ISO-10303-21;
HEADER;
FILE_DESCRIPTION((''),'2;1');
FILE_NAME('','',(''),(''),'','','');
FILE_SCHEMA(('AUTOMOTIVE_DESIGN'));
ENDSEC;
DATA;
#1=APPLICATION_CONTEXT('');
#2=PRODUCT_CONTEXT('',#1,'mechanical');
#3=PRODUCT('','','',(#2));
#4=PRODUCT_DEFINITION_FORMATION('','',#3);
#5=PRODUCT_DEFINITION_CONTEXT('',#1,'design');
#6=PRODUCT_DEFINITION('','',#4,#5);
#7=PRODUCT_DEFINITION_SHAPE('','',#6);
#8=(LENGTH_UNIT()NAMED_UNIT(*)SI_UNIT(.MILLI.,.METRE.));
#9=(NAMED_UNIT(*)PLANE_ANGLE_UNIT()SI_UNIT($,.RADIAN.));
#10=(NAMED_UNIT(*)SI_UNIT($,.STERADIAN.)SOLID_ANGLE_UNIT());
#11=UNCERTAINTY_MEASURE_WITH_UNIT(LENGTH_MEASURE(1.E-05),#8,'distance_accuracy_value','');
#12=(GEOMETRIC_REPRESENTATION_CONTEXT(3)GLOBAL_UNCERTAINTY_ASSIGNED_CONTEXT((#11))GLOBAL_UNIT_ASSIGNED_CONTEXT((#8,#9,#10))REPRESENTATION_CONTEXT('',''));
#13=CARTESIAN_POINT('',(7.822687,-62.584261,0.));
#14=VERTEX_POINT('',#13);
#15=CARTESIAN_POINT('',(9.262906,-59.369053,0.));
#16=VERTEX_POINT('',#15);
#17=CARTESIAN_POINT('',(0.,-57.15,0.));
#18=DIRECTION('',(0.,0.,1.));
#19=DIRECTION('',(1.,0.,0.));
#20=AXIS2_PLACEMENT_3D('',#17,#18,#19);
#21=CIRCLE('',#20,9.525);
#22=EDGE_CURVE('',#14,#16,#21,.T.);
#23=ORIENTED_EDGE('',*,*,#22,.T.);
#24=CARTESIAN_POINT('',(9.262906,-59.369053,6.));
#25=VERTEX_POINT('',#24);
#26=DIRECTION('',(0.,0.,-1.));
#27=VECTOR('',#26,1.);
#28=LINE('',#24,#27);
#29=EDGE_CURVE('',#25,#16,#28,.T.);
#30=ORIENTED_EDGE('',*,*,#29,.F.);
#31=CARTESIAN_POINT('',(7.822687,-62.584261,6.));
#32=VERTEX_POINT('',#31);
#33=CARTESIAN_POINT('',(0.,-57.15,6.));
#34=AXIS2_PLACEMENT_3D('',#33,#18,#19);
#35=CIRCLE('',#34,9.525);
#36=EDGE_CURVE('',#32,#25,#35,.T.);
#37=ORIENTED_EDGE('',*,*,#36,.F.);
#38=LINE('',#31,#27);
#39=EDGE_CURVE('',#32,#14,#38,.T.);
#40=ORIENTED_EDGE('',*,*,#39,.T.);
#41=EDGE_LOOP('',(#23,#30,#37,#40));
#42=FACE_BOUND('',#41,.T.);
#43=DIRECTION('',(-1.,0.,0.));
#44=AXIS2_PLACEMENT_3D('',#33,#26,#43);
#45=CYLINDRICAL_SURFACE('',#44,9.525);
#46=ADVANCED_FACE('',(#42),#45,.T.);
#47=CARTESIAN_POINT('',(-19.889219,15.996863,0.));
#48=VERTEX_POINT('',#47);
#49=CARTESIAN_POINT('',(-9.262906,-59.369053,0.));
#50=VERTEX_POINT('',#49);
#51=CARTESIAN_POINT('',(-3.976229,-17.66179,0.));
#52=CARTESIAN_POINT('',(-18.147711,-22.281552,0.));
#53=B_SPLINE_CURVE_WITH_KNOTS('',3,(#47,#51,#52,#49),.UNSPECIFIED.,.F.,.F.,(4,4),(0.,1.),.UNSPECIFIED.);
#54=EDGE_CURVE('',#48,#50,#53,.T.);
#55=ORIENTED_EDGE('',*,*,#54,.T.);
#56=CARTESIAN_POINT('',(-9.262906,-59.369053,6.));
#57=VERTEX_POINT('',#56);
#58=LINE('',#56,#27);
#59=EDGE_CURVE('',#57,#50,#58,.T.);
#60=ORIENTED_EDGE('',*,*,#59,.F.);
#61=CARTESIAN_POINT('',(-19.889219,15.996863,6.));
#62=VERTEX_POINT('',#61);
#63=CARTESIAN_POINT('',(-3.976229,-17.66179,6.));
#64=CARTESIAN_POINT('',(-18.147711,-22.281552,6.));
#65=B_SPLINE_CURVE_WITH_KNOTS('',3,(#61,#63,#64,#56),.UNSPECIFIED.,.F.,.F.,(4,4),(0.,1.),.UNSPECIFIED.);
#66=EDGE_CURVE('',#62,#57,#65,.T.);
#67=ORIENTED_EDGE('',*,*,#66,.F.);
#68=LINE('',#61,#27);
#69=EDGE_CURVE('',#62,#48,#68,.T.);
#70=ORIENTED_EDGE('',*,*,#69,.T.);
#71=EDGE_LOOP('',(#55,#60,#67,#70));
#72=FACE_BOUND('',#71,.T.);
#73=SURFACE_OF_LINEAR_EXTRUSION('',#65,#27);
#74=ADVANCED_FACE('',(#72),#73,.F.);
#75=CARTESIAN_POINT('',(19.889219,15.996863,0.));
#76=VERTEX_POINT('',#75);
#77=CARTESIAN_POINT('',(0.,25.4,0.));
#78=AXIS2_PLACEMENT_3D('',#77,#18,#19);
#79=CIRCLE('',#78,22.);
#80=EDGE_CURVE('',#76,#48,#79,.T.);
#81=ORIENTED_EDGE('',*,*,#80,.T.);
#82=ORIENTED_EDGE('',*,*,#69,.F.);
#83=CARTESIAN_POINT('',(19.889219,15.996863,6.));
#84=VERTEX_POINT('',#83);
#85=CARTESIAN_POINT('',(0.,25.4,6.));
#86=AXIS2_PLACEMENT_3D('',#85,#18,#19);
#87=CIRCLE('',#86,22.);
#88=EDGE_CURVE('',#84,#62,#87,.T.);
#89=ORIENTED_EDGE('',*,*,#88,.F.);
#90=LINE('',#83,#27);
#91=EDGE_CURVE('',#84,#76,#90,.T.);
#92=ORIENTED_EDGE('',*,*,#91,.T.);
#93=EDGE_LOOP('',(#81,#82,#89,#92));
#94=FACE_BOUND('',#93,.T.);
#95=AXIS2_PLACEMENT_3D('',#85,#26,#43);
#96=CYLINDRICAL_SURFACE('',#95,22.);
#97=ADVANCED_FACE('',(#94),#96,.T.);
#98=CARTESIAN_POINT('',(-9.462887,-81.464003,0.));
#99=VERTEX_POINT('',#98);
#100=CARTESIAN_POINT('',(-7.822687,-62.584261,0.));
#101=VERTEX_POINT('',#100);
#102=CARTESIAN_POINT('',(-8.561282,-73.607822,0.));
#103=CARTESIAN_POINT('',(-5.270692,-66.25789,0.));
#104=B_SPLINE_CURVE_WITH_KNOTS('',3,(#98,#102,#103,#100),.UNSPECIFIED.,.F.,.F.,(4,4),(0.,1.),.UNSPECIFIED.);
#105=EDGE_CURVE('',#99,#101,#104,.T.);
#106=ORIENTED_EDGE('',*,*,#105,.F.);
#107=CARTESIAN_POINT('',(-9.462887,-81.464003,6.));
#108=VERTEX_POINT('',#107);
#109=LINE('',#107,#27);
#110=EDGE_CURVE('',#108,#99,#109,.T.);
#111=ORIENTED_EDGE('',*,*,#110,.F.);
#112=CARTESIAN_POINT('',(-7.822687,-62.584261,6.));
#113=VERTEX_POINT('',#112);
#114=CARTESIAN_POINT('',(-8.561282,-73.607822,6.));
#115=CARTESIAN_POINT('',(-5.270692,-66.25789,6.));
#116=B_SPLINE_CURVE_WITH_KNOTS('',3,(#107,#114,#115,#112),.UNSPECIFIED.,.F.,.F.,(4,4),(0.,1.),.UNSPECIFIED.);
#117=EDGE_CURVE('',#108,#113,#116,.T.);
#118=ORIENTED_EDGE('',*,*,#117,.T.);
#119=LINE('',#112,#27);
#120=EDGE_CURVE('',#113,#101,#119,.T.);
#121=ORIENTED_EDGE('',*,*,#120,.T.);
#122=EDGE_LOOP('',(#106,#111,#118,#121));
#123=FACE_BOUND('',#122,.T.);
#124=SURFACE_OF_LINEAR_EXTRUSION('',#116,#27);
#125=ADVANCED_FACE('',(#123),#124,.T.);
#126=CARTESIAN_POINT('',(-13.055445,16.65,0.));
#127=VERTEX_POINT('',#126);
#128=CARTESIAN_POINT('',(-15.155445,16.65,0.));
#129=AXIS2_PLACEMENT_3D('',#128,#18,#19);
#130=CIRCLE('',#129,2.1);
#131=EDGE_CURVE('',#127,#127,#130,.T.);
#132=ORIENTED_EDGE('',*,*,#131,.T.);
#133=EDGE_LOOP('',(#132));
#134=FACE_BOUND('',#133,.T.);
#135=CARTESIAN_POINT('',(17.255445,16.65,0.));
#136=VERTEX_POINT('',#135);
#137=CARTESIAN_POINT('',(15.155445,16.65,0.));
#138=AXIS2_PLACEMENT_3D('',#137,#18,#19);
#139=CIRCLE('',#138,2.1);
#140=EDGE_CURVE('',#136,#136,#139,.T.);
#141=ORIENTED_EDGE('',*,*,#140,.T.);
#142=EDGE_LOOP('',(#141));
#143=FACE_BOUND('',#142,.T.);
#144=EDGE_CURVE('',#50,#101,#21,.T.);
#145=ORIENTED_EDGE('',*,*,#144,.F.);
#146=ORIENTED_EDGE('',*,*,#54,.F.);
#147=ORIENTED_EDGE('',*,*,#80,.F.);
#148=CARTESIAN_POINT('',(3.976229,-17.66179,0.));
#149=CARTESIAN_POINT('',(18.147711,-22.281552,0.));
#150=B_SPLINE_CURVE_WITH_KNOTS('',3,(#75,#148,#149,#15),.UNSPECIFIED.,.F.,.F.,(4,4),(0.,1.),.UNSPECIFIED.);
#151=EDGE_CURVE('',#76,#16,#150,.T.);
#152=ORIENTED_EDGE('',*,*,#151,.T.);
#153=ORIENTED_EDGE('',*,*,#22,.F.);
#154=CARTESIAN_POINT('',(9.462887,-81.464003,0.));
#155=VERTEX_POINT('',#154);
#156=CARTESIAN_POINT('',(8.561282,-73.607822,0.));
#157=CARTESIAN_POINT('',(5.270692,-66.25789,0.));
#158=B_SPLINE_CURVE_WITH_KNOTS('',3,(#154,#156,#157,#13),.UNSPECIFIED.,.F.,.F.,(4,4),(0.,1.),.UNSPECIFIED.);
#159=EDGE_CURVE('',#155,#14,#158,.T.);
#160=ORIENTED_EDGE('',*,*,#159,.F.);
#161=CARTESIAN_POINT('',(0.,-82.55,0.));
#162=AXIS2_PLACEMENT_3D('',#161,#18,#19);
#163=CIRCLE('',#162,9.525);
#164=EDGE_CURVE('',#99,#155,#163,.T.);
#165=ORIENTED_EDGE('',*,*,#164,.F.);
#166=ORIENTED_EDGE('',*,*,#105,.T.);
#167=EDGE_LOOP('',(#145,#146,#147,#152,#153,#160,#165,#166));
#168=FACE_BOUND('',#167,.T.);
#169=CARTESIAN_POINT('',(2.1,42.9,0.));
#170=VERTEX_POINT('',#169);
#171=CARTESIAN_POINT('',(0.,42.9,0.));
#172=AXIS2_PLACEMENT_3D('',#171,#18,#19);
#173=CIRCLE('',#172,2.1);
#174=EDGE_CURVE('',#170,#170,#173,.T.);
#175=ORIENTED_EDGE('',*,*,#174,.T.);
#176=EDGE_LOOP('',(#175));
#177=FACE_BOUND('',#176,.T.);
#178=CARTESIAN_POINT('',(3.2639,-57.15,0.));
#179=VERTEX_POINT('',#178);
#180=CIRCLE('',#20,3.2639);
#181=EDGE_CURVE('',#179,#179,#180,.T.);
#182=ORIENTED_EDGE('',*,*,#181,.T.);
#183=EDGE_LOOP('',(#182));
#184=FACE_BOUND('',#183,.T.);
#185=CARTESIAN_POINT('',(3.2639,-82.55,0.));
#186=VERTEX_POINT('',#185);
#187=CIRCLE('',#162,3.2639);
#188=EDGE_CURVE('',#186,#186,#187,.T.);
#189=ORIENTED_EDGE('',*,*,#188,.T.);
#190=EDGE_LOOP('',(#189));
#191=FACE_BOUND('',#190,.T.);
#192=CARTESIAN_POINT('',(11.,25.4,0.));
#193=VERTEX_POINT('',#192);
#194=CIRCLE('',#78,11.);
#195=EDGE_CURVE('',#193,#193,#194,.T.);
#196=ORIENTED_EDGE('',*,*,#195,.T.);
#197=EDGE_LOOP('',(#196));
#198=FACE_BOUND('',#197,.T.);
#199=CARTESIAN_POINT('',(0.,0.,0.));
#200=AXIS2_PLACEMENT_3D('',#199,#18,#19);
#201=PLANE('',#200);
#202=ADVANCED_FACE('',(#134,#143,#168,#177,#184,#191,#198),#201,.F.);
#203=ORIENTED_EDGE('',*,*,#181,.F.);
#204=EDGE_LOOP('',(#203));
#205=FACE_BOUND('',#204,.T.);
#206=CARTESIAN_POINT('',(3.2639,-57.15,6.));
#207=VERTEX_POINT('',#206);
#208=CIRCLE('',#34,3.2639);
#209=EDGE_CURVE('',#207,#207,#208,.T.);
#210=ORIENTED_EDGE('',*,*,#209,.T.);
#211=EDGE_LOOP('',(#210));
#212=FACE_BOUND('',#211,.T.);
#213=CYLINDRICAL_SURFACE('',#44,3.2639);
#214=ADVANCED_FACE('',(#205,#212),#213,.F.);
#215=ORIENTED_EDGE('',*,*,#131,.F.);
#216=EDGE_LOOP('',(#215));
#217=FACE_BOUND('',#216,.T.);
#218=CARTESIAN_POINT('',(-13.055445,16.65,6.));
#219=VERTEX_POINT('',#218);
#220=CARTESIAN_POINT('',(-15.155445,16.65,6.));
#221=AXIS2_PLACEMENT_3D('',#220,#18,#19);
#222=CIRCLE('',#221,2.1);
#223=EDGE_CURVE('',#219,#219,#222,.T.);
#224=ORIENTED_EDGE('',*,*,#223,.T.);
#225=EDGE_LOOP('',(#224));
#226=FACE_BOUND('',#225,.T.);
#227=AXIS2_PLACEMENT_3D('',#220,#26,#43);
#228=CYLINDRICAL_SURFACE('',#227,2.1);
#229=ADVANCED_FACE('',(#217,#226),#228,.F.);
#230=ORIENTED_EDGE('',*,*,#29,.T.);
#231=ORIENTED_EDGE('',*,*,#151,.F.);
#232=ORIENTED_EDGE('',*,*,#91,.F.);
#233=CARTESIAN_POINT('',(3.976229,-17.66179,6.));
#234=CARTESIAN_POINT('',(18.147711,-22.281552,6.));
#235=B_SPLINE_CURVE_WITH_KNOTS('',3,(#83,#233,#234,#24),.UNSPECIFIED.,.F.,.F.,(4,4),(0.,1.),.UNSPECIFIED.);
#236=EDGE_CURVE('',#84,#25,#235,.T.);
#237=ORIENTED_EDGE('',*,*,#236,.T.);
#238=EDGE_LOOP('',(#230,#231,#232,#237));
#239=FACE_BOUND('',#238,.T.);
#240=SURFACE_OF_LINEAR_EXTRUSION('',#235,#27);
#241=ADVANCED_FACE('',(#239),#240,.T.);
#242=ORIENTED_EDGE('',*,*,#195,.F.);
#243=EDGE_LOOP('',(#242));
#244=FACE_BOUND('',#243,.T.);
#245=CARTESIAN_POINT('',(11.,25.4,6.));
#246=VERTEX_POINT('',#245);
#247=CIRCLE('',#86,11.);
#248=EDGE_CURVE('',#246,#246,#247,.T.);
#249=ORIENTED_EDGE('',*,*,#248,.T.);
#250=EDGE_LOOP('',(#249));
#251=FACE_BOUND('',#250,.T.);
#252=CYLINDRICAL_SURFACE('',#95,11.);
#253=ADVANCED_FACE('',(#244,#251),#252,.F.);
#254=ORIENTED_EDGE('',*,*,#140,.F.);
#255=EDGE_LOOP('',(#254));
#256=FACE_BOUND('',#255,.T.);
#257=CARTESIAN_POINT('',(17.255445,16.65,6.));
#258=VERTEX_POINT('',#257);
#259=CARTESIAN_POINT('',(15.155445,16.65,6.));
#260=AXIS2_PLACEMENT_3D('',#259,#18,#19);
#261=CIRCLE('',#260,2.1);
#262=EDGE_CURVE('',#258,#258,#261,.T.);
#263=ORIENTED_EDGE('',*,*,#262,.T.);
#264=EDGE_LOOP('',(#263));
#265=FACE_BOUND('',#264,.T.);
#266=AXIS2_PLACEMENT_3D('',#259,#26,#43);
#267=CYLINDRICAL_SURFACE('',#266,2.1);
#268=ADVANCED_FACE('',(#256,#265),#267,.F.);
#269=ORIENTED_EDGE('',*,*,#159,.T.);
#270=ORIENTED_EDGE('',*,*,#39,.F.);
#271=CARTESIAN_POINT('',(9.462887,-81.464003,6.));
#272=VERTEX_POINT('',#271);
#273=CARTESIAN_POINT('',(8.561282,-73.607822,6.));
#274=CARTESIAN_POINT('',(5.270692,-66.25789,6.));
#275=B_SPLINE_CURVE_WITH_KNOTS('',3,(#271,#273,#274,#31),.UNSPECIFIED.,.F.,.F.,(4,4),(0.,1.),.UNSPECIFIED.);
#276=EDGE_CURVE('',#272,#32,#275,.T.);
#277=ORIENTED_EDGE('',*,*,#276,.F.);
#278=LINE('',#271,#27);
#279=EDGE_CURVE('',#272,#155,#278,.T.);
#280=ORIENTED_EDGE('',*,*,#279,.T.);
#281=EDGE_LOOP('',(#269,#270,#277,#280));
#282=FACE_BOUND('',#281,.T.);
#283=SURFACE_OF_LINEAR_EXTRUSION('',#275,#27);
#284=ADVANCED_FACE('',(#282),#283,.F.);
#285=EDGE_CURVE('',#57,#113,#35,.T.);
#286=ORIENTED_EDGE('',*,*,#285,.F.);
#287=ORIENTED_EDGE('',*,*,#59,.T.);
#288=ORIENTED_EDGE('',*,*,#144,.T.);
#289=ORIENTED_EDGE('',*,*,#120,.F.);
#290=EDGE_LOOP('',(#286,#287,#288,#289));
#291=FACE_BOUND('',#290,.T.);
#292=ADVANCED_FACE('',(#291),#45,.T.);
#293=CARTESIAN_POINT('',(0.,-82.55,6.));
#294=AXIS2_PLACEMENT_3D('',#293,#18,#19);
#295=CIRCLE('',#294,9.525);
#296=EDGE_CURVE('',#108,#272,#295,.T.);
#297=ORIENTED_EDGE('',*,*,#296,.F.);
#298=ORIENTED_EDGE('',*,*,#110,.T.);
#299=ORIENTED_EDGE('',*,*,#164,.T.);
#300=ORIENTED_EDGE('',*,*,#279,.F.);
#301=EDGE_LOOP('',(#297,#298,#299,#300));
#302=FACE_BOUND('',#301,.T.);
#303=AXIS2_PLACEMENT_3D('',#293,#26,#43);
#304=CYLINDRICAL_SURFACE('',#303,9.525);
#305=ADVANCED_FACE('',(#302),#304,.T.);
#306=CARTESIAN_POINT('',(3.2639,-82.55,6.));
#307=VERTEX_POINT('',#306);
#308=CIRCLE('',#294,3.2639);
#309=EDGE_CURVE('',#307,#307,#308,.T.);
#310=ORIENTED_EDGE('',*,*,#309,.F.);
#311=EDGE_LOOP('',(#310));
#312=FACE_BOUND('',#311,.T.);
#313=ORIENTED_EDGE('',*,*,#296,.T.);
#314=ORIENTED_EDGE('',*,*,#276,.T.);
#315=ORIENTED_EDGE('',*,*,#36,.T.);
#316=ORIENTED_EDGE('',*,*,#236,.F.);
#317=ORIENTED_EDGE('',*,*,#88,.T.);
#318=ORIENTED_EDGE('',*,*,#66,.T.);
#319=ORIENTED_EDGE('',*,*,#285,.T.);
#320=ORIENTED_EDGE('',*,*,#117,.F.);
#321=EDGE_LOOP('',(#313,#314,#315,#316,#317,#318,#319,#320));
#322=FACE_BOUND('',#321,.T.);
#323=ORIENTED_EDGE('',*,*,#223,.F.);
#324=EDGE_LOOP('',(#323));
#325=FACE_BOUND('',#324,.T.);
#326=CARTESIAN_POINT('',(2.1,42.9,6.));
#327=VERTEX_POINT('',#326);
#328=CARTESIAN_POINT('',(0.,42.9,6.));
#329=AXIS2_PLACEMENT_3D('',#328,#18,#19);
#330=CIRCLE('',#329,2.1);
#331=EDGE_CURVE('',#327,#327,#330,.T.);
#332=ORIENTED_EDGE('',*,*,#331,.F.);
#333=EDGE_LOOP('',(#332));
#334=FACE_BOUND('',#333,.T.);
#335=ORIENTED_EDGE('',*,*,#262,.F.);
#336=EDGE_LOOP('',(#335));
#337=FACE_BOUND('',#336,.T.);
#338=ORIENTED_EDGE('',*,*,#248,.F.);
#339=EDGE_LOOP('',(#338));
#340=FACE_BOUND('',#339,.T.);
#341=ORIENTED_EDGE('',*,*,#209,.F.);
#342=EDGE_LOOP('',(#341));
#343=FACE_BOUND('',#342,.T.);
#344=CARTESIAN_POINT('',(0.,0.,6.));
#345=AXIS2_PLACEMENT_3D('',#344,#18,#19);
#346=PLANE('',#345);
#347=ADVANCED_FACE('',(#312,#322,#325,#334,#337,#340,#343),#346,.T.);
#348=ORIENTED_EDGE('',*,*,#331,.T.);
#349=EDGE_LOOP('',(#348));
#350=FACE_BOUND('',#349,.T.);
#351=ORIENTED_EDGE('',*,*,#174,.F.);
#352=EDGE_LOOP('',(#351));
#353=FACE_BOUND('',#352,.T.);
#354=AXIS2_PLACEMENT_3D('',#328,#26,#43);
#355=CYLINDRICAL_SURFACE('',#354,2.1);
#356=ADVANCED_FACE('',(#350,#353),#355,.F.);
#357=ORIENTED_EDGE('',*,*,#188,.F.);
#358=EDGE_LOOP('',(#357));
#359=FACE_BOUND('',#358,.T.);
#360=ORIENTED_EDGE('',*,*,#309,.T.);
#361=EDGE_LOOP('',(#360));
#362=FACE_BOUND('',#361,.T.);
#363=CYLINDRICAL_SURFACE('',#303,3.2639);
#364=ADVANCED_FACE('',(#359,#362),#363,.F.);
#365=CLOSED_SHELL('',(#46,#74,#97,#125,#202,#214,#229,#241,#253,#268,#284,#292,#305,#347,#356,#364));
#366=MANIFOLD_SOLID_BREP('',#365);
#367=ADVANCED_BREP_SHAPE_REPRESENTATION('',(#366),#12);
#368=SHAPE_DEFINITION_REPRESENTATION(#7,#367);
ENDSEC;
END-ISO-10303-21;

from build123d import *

# Parameters (mm, degrees)
SKETCH1_R           = 2.1
SKETCH1_R_2         = 11
SKETCH1_R_3         = 3.2639
BOSS_EXTRUDE1_DEPTH = 6


with BuildPart() as part:
    # Sketch1 → Boss-Extrude1 (new body)
    with BuildSketch(Plane.XY):
        with BuildLine():
            ThreePointArc((19.889218642, 15.996863194), (0, 47.4), (-19.889218642, 15.996863194))
            add(Edge.make_bspline(
                [(-19.889218642, 15.996863194), (-3.976229329, -17.66179032), (-18.147711497, -22.281552166), (-9.262906138, -59.369052697)],
                knots=[0, 0, 0, 0, 1, 1, 1, 1], degree=3))
            ThreePointArc((-9.262906138, -59.369052697), (-8.692742138, -61.0438232), (-7.822687238, -62.584260701))
            add(Edge.make_bspline(
                [(-9.462887275, -81.464003027), (-8.561282023, -73.607821952), (-5.270691934, -66.257890325), (-7.822687238, -62.584260701)],
                knots=[0, 0, 0, 0, 1, 1, 1, 1], degree=3))
            ThreePointArc((-9.462887275, -81.464003027), (0, -92.075), (9.462887275, -81.464003027))
            add(Edge.make_bspline(
                [(9.462887275, -81.464003027), (8.561282023, -73.607821952), (5.270691934, -66.257890325), (7.822687238, -62.584260701)],
                knots=[0, 0, 0, 0, 1, 1, 1, 1], degree=3))
            ThreePointArc((7.822687238, -62.584260701), (8.692742138, -61.0438232), (9.262906138, -59.369052697))
            add(Edge.make_bspline(
                [(19.889218642, 15.996863194), (3.976229329, -17.66179032), (18.147711497, -22.281552166), (9.262906138, -59.369052697)],
                knots=[0, 0, 0, 0, 1, 1, 1, 1], degree=3))
        make_face()
        with Locations((-15.155444566, 16.65)):
            Circle(SKETCH1_R, mode=Mode.SUBTRACT)
        with Locations((0, 42.9)):
            Circle(SKETCH1_R, mode=Mode.SUBTRACT)
        with Locations((0, 25.4)):
            Circle(SKETCH1_R_2, mode=Mode.SUBTRACT)
        with Locations((15.155444566, 16.65)):
            Circle(SKETCH1_R, mode=Mode.SUBTRACT)
        with Locations((0, -57.15)):
            Circle(SKETCH1_R_3, mode=Mode.SUBTRACT)
        with Locations((0, -82.55)):
            Circle(SKETCH1_R_3, mode=Mode.SUBTRACT)
    extrude(amount=BOSS_EXTRUDE1_DEPTH)


solid = part.part
